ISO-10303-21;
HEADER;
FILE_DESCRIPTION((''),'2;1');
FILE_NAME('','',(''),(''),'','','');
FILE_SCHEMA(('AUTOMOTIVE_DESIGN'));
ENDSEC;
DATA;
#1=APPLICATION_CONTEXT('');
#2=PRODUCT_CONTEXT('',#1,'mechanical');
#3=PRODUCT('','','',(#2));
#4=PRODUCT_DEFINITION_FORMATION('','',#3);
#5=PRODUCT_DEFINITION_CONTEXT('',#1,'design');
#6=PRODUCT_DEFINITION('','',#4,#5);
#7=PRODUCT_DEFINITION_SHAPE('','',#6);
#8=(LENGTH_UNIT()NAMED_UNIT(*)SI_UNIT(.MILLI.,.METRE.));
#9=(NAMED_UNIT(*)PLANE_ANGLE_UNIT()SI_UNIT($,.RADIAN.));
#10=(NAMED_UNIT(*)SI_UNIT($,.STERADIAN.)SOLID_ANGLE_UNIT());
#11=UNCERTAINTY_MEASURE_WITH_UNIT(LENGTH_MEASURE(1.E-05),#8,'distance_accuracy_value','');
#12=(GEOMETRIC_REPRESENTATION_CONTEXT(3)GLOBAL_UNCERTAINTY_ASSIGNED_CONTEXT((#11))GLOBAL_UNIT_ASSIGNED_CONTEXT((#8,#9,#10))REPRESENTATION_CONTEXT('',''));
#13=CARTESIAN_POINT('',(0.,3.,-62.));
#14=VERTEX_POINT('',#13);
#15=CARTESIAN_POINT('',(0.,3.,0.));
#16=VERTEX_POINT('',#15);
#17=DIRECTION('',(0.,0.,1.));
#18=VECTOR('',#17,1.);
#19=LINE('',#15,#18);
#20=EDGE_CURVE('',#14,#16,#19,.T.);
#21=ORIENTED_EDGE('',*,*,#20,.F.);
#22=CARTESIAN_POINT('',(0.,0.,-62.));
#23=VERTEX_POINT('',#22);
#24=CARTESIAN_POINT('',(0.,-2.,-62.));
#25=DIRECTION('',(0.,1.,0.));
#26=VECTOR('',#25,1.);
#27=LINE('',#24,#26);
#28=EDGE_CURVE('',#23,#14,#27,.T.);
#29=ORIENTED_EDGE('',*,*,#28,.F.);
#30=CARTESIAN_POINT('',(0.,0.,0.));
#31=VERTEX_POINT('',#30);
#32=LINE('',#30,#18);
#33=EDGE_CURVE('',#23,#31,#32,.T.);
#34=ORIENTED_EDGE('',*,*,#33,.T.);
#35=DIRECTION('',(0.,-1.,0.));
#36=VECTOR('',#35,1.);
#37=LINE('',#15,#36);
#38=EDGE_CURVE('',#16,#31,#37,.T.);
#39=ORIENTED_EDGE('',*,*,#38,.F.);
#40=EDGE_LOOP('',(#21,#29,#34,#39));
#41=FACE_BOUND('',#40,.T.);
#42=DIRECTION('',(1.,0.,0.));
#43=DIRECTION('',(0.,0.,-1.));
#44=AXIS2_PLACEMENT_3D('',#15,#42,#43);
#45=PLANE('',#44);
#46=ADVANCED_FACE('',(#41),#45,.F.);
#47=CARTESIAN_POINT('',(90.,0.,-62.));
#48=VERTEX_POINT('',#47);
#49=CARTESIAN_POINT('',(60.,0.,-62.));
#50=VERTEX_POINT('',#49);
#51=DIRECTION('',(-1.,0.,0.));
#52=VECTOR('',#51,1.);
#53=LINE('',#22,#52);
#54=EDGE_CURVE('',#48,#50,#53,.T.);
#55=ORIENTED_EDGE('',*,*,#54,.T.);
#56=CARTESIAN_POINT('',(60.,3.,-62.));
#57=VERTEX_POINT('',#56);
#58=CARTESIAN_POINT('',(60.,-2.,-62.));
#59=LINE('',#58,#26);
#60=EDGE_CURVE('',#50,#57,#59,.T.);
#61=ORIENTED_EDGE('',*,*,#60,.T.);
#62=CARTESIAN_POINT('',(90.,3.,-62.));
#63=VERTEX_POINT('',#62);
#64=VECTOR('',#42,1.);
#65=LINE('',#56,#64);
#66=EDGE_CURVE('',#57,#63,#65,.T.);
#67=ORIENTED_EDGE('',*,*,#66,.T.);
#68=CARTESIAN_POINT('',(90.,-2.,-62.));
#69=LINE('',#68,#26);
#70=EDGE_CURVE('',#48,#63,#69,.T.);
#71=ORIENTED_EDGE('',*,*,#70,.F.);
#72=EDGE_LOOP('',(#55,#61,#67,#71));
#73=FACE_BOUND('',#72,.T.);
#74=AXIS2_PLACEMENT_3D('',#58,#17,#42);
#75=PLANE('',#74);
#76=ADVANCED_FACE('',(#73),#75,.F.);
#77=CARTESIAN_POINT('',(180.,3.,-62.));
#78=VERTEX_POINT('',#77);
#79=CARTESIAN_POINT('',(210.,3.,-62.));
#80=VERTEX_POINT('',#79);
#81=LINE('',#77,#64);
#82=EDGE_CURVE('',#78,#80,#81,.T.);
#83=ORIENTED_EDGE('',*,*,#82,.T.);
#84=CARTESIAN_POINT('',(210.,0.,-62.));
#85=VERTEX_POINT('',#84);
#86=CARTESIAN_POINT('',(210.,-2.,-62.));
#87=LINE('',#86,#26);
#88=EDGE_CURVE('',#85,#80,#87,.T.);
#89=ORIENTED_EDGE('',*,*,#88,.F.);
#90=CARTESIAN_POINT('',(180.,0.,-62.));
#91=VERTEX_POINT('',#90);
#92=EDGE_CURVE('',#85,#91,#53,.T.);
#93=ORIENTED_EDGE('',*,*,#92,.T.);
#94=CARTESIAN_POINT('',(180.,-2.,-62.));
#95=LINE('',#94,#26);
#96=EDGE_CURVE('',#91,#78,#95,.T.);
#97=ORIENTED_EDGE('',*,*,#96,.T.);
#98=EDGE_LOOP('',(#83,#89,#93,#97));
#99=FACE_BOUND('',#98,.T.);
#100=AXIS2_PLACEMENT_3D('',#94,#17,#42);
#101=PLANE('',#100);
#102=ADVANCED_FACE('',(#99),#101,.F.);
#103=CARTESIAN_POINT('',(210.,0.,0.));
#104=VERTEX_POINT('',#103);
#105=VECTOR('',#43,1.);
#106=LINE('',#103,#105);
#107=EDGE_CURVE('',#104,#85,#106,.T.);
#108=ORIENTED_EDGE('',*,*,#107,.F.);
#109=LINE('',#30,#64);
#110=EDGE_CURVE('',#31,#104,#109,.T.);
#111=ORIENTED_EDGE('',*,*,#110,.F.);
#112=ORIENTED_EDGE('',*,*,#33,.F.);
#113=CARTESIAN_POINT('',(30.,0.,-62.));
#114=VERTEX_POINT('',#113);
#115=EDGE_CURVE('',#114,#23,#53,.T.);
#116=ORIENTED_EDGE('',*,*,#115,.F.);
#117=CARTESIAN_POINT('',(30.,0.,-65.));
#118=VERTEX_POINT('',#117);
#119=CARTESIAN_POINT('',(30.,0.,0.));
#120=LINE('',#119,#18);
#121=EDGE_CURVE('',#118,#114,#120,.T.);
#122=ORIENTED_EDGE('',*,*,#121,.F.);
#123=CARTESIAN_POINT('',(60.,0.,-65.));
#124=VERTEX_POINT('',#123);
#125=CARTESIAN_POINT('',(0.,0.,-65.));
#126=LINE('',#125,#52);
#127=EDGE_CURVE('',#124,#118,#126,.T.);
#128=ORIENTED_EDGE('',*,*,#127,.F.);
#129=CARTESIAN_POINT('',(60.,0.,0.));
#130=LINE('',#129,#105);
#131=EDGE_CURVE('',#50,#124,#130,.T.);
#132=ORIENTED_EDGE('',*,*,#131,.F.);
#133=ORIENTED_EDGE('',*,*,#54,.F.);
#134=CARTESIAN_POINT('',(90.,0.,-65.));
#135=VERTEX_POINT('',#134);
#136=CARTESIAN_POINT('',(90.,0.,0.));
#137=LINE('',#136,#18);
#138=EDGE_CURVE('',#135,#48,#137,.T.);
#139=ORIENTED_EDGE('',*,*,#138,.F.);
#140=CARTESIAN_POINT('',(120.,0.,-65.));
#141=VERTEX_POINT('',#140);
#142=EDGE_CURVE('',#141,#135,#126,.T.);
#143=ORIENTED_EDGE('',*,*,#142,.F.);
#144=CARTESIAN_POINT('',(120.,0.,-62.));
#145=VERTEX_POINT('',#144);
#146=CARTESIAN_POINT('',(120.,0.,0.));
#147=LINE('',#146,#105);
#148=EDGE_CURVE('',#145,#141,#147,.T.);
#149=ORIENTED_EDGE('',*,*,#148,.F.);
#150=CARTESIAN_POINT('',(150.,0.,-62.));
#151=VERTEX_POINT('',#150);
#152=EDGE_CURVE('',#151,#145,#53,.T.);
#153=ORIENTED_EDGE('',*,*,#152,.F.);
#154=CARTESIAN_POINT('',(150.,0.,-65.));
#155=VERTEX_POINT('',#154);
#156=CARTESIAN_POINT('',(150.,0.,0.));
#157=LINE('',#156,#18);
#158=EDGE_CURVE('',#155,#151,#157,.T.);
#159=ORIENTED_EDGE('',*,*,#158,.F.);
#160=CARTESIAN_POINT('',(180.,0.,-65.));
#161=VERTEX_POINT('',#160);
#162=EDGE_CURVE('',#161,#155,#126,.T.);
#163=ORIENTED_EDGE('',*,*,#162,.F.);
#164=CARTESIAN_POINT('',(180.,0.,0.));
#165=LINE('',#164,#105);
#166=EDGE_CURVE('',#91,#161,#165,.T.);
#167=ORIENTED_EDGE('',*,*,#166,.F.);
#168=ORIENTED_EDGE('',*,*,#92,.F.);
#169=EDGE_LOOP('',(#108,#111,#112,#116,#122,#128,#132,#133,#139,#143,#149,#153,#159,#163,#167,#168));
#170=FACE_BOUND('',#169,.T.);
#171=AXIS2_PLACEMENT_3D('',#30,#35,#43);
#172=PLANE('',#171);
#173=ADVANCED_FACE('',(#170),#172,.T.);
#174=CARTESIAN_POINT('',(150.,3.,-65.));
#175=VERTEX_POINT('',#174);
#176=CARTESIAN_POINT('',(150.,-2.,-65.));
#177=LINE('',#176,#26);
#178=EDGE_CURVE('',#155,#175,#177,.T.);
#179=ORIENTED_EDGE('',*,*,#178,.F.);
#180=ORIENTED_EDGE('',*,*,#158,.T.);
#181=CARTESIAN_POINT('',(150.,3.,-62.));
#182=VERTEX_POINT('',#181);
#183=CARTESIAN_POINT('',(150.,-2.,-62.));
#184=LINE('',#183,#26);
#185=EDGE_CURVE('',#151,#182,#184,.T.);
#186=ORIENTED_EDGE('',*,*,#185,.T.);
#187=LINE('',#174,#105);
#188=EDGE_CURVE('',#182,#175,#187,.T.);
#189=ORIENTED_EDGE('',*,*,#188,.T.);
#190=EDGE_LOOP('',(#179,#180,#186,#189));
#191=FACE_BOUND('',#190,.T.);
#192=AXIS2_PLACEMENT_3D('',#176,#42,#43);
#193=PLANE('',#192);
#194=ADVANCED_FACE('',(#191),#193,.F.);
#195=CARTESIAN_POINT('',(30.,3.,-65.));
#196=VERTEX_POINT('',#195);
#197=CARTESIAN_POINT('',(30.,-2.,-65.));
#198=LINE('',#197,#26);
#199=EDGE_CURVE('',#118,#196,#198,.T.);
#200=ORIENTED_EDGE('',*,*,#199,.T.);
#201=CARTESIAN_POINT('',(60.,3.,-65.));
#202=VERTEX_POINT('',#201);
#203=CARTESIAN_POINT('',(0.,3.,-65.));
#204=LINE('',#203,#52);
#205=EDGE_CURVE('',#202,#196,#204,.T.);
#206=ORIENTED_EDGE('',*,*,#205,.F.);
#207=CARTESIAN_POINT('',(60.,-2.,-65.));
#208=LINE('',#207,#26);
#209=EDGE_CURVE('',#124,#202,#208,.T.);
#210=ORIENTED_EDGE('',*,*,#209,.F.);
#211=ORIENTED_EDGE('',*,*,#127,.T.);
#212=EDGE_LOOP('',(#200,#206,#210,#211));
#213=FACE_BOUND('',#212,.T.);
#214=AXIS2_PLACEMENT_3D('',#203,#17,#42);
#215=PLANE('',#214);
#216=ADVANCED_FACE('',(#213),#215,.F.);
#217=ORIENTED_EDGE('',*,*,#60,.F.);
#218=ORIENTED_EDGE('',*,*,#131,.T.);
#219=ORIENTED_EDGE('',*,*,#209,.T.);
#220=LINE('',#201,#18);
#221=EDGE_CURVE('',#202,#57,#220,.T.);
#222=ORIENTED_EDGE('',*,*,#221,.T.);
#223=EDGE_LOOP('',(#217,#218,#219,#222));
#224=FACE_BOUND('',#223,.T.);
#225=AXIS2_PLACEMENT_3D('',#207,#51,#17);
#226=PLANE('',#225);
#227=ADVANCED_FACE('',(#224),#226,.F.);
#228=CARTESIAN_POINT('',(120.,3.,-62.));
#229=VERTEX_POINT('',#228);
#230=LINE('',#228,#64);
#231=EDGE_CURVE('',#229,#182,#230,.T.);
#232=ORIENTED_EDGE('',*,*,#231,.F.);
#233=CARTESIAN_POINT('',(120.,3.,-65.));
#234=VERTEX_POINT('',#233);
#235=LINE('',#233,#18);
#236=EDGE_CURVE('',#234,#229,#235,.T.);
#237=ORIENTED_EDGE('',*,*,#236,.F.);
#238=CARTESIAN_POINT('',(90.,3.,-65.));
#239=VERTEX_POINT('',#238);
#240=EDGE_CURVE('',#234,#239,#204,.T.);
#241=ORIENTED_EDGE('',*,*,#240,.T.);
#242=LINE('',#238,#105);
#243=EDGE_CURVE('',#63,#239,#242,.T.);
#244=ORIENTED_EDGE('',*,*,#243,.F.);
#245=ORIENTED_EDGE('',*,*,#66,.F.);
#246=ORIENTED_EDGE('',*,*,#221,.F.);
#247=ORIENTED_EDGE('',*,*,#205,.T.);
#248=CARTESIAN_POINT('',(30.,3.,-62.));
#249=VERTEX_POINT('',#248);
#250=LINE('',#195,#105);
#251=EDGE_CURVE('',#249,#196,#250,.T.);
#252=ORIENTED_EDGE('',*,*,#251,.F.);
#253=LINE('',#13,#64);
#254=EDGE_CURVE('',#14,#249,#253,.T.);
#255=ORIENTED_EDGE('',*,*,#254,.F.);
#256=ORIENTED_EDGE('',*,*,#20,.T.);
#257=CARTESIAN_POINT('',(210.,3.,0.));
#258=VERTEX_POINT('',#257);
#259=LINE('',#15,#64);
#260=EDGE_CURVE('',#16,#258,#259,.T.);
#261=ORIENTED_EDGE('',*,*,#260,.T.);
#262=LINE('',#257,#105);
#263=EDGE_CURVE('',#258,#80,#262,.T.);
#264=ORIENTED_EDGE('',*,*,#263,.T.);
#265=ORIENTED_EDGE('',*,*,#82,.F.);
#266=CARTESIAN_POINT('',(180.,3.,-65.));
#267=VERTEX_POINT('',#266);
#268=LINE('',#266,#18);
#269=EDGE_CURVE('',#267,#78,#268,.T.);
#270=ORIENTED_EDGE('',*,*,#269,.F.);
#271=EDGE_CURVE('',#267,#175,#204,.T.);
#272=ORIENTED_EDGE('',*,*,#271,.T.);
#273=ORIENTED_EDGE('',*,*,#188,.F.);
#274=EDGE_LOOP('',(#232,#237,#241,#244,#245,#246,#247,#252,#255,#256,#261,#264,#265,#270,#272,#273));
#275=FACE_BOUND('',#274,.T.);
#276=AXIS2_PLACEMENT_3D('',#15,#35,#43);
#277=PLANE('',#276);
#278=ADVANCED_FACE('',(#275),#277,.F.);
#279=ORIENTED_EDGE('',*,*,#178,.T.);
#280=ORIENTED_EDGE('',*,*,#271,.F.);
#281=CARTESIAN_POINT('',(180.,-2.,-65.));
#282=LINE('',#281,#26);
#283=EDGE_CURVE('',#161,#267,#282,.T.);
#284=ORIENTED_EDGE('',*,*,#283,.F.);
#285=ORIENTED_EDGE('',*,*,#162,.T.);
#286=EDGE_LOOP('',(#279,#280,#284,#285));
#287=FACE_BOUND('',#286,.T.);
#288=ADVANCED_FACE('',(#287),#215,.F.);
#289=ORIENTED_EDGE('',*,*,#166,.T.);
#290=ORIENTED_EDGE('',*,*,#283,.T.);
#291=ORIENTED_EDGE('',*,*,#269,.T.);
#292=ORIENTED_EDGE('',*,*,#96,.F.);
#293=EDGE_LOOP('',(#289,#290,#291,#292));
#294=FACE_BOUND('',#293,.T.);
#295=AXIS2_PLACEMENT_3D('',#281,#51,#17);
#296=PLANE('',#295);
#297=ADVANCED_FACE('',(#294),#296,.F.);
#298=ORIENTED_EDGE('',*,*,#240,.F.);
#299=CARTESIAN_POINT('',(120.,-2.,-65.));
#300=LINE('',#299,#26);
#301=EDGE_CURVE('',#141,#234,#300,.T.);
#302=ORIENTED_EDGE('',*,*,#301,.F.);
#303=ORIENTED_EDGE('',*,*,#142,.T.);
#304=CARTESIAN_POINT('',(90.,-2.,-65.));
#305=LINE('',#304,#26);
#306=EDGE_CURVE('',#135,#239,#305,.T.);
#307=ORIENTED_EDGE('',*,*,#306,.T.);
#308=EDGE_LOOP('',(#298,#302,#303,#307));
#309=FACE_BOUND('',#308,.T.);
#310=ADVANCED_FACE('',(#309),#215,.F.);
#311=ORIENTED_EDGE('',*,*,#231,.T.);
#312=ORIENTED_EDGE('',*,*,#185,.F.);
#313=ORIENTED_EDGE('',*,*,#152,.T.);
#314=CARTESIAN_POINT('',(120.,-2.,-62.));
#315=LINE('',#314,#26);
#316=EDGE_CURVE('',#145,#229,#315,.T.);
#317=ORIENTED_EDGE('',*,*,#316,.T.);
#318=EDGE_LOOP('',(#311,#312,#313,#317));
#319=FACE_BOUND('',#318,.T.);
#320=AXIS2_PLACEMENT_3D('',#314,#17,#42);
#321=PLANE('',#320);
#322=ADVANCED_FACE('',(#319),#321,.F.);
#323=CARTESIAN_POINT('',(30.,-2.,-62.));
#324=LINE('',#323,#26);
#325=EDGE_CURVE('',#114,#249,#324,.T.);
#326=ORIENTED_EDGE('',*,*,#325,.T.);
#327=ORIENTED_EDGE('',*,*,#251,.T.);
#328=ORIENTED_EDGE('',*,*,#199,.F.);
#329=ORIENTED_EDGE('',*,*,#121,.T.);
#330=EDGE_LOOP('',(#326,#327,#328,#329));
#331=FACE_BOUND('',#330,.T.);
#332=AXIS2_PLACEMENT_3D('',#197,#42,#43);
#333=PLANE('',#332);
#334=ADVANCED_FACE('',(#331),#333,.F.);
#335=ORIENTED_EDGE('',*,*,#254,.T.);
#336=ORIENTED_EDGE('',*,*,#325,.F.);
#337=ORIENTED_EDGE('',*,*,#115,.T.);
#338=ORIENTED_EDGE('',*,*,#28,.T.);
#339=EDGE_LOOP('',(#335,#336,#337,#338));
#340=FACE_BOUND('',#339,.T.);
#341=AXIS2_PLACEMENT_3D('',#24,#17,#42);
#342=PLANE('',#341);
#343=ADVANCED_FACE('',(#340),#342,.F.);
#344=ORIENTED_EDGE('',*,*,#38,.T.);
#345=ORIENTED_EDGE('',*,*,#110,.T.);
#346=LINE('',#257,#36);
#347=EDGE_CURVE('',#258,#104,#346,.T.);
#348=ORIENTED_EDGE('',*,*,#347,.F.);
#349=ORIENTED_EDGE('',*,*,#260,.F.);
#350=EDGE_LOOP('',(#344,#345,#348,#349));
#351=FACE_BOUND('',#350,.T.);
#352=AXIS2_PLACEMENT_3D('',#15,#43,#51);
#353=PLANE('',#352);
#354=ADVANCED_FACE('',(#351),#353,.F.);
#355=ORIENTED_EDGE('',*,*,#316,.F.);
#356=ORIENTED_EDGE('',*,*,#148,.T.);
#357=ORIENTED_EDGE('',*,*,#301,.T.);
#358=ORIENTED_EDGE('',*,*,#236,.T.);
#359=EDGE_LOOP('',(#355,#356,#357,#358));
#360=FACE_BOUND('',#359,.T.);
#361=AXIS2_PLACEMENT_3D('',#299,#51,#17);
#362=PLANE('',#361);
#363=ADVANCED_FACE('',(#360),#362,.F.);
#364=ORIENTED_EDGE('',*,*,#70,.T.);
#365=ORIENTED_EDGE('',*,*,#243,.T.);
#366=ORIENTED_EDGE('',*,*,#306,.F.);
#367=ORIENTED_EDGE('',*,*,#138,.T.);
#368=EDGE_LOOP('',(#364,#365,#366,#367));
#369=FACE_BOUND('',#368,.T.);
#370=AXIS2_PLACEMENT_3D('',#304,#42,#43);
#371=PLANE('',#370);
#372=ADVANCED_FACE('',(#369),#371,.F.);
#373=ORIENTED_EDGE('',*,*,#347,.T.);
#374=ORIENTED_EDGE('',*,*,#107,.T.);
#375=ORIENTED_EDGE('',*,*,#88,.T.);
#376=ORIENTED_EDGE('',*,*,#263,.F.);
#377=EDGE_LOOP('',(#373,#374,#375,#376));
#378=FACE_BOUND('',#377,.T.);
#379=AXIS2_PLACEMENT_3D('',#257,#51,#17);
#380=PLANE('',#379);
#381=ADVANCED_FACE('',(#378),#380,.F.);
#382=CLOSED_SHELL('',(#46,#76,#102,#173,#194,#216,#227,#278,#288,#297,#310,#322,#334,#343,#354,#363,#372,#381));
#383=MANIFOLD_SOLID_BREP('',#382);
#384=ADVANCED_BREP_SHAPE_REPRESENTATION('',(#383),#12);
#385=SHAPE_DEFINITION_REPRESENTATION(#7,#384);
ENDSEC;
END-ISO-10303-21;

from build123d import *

# Parameters (mm, degrees)
SKETCH1_W           = 210
SKETCH1_H           = 65
BOSS_EXTRUDE1_DEPTH = 3
SKETCH2_W           = 30
SKETCH2_H           = 3
CUT_EXTRUDE1_DEPTH  = 5


with BuildPart() as part:
    # Sketch1 → Boss-Extrude1 (new body)
    with BuildSketch(Plane(origin=(0, 0, 0), x_dir=(1, 0, 0), z_dir=(0, 1, 0))):
        with Locations((105, 32.5)):
            Rectangle(SKETCH1_W, SKETCH1_H)
    extrude(amount=BOSS_EXTRUDE1_DEPTH)

    # Sketch2 → Cut-Extrude1 (cut)
    with BuildSketch(Plane(origin=(0, 3, 0), x_dir=(1, 0, 0), z_dir=(0, 1, 0))):
        with Locations((15, 63.5)):
            Rectangle(SKETCH2_W, SKETCH2_H)
        with Locations((75, 63.5)):
            Rectangle(SKETCH2_W, SKETCH2_H)
        with Locations((135, 63.5)):
            Rectangle(SKETCH2_W, SKETCH2_H)
        with Locations((195, 63.5)):
            Rectangle(SKETCH2_W, SKETCH2_H)
    extrude(amount=-CUT_EXTRUDE1_DEPTH, mode=Mode.SUBTRACT)


solid = part.part
